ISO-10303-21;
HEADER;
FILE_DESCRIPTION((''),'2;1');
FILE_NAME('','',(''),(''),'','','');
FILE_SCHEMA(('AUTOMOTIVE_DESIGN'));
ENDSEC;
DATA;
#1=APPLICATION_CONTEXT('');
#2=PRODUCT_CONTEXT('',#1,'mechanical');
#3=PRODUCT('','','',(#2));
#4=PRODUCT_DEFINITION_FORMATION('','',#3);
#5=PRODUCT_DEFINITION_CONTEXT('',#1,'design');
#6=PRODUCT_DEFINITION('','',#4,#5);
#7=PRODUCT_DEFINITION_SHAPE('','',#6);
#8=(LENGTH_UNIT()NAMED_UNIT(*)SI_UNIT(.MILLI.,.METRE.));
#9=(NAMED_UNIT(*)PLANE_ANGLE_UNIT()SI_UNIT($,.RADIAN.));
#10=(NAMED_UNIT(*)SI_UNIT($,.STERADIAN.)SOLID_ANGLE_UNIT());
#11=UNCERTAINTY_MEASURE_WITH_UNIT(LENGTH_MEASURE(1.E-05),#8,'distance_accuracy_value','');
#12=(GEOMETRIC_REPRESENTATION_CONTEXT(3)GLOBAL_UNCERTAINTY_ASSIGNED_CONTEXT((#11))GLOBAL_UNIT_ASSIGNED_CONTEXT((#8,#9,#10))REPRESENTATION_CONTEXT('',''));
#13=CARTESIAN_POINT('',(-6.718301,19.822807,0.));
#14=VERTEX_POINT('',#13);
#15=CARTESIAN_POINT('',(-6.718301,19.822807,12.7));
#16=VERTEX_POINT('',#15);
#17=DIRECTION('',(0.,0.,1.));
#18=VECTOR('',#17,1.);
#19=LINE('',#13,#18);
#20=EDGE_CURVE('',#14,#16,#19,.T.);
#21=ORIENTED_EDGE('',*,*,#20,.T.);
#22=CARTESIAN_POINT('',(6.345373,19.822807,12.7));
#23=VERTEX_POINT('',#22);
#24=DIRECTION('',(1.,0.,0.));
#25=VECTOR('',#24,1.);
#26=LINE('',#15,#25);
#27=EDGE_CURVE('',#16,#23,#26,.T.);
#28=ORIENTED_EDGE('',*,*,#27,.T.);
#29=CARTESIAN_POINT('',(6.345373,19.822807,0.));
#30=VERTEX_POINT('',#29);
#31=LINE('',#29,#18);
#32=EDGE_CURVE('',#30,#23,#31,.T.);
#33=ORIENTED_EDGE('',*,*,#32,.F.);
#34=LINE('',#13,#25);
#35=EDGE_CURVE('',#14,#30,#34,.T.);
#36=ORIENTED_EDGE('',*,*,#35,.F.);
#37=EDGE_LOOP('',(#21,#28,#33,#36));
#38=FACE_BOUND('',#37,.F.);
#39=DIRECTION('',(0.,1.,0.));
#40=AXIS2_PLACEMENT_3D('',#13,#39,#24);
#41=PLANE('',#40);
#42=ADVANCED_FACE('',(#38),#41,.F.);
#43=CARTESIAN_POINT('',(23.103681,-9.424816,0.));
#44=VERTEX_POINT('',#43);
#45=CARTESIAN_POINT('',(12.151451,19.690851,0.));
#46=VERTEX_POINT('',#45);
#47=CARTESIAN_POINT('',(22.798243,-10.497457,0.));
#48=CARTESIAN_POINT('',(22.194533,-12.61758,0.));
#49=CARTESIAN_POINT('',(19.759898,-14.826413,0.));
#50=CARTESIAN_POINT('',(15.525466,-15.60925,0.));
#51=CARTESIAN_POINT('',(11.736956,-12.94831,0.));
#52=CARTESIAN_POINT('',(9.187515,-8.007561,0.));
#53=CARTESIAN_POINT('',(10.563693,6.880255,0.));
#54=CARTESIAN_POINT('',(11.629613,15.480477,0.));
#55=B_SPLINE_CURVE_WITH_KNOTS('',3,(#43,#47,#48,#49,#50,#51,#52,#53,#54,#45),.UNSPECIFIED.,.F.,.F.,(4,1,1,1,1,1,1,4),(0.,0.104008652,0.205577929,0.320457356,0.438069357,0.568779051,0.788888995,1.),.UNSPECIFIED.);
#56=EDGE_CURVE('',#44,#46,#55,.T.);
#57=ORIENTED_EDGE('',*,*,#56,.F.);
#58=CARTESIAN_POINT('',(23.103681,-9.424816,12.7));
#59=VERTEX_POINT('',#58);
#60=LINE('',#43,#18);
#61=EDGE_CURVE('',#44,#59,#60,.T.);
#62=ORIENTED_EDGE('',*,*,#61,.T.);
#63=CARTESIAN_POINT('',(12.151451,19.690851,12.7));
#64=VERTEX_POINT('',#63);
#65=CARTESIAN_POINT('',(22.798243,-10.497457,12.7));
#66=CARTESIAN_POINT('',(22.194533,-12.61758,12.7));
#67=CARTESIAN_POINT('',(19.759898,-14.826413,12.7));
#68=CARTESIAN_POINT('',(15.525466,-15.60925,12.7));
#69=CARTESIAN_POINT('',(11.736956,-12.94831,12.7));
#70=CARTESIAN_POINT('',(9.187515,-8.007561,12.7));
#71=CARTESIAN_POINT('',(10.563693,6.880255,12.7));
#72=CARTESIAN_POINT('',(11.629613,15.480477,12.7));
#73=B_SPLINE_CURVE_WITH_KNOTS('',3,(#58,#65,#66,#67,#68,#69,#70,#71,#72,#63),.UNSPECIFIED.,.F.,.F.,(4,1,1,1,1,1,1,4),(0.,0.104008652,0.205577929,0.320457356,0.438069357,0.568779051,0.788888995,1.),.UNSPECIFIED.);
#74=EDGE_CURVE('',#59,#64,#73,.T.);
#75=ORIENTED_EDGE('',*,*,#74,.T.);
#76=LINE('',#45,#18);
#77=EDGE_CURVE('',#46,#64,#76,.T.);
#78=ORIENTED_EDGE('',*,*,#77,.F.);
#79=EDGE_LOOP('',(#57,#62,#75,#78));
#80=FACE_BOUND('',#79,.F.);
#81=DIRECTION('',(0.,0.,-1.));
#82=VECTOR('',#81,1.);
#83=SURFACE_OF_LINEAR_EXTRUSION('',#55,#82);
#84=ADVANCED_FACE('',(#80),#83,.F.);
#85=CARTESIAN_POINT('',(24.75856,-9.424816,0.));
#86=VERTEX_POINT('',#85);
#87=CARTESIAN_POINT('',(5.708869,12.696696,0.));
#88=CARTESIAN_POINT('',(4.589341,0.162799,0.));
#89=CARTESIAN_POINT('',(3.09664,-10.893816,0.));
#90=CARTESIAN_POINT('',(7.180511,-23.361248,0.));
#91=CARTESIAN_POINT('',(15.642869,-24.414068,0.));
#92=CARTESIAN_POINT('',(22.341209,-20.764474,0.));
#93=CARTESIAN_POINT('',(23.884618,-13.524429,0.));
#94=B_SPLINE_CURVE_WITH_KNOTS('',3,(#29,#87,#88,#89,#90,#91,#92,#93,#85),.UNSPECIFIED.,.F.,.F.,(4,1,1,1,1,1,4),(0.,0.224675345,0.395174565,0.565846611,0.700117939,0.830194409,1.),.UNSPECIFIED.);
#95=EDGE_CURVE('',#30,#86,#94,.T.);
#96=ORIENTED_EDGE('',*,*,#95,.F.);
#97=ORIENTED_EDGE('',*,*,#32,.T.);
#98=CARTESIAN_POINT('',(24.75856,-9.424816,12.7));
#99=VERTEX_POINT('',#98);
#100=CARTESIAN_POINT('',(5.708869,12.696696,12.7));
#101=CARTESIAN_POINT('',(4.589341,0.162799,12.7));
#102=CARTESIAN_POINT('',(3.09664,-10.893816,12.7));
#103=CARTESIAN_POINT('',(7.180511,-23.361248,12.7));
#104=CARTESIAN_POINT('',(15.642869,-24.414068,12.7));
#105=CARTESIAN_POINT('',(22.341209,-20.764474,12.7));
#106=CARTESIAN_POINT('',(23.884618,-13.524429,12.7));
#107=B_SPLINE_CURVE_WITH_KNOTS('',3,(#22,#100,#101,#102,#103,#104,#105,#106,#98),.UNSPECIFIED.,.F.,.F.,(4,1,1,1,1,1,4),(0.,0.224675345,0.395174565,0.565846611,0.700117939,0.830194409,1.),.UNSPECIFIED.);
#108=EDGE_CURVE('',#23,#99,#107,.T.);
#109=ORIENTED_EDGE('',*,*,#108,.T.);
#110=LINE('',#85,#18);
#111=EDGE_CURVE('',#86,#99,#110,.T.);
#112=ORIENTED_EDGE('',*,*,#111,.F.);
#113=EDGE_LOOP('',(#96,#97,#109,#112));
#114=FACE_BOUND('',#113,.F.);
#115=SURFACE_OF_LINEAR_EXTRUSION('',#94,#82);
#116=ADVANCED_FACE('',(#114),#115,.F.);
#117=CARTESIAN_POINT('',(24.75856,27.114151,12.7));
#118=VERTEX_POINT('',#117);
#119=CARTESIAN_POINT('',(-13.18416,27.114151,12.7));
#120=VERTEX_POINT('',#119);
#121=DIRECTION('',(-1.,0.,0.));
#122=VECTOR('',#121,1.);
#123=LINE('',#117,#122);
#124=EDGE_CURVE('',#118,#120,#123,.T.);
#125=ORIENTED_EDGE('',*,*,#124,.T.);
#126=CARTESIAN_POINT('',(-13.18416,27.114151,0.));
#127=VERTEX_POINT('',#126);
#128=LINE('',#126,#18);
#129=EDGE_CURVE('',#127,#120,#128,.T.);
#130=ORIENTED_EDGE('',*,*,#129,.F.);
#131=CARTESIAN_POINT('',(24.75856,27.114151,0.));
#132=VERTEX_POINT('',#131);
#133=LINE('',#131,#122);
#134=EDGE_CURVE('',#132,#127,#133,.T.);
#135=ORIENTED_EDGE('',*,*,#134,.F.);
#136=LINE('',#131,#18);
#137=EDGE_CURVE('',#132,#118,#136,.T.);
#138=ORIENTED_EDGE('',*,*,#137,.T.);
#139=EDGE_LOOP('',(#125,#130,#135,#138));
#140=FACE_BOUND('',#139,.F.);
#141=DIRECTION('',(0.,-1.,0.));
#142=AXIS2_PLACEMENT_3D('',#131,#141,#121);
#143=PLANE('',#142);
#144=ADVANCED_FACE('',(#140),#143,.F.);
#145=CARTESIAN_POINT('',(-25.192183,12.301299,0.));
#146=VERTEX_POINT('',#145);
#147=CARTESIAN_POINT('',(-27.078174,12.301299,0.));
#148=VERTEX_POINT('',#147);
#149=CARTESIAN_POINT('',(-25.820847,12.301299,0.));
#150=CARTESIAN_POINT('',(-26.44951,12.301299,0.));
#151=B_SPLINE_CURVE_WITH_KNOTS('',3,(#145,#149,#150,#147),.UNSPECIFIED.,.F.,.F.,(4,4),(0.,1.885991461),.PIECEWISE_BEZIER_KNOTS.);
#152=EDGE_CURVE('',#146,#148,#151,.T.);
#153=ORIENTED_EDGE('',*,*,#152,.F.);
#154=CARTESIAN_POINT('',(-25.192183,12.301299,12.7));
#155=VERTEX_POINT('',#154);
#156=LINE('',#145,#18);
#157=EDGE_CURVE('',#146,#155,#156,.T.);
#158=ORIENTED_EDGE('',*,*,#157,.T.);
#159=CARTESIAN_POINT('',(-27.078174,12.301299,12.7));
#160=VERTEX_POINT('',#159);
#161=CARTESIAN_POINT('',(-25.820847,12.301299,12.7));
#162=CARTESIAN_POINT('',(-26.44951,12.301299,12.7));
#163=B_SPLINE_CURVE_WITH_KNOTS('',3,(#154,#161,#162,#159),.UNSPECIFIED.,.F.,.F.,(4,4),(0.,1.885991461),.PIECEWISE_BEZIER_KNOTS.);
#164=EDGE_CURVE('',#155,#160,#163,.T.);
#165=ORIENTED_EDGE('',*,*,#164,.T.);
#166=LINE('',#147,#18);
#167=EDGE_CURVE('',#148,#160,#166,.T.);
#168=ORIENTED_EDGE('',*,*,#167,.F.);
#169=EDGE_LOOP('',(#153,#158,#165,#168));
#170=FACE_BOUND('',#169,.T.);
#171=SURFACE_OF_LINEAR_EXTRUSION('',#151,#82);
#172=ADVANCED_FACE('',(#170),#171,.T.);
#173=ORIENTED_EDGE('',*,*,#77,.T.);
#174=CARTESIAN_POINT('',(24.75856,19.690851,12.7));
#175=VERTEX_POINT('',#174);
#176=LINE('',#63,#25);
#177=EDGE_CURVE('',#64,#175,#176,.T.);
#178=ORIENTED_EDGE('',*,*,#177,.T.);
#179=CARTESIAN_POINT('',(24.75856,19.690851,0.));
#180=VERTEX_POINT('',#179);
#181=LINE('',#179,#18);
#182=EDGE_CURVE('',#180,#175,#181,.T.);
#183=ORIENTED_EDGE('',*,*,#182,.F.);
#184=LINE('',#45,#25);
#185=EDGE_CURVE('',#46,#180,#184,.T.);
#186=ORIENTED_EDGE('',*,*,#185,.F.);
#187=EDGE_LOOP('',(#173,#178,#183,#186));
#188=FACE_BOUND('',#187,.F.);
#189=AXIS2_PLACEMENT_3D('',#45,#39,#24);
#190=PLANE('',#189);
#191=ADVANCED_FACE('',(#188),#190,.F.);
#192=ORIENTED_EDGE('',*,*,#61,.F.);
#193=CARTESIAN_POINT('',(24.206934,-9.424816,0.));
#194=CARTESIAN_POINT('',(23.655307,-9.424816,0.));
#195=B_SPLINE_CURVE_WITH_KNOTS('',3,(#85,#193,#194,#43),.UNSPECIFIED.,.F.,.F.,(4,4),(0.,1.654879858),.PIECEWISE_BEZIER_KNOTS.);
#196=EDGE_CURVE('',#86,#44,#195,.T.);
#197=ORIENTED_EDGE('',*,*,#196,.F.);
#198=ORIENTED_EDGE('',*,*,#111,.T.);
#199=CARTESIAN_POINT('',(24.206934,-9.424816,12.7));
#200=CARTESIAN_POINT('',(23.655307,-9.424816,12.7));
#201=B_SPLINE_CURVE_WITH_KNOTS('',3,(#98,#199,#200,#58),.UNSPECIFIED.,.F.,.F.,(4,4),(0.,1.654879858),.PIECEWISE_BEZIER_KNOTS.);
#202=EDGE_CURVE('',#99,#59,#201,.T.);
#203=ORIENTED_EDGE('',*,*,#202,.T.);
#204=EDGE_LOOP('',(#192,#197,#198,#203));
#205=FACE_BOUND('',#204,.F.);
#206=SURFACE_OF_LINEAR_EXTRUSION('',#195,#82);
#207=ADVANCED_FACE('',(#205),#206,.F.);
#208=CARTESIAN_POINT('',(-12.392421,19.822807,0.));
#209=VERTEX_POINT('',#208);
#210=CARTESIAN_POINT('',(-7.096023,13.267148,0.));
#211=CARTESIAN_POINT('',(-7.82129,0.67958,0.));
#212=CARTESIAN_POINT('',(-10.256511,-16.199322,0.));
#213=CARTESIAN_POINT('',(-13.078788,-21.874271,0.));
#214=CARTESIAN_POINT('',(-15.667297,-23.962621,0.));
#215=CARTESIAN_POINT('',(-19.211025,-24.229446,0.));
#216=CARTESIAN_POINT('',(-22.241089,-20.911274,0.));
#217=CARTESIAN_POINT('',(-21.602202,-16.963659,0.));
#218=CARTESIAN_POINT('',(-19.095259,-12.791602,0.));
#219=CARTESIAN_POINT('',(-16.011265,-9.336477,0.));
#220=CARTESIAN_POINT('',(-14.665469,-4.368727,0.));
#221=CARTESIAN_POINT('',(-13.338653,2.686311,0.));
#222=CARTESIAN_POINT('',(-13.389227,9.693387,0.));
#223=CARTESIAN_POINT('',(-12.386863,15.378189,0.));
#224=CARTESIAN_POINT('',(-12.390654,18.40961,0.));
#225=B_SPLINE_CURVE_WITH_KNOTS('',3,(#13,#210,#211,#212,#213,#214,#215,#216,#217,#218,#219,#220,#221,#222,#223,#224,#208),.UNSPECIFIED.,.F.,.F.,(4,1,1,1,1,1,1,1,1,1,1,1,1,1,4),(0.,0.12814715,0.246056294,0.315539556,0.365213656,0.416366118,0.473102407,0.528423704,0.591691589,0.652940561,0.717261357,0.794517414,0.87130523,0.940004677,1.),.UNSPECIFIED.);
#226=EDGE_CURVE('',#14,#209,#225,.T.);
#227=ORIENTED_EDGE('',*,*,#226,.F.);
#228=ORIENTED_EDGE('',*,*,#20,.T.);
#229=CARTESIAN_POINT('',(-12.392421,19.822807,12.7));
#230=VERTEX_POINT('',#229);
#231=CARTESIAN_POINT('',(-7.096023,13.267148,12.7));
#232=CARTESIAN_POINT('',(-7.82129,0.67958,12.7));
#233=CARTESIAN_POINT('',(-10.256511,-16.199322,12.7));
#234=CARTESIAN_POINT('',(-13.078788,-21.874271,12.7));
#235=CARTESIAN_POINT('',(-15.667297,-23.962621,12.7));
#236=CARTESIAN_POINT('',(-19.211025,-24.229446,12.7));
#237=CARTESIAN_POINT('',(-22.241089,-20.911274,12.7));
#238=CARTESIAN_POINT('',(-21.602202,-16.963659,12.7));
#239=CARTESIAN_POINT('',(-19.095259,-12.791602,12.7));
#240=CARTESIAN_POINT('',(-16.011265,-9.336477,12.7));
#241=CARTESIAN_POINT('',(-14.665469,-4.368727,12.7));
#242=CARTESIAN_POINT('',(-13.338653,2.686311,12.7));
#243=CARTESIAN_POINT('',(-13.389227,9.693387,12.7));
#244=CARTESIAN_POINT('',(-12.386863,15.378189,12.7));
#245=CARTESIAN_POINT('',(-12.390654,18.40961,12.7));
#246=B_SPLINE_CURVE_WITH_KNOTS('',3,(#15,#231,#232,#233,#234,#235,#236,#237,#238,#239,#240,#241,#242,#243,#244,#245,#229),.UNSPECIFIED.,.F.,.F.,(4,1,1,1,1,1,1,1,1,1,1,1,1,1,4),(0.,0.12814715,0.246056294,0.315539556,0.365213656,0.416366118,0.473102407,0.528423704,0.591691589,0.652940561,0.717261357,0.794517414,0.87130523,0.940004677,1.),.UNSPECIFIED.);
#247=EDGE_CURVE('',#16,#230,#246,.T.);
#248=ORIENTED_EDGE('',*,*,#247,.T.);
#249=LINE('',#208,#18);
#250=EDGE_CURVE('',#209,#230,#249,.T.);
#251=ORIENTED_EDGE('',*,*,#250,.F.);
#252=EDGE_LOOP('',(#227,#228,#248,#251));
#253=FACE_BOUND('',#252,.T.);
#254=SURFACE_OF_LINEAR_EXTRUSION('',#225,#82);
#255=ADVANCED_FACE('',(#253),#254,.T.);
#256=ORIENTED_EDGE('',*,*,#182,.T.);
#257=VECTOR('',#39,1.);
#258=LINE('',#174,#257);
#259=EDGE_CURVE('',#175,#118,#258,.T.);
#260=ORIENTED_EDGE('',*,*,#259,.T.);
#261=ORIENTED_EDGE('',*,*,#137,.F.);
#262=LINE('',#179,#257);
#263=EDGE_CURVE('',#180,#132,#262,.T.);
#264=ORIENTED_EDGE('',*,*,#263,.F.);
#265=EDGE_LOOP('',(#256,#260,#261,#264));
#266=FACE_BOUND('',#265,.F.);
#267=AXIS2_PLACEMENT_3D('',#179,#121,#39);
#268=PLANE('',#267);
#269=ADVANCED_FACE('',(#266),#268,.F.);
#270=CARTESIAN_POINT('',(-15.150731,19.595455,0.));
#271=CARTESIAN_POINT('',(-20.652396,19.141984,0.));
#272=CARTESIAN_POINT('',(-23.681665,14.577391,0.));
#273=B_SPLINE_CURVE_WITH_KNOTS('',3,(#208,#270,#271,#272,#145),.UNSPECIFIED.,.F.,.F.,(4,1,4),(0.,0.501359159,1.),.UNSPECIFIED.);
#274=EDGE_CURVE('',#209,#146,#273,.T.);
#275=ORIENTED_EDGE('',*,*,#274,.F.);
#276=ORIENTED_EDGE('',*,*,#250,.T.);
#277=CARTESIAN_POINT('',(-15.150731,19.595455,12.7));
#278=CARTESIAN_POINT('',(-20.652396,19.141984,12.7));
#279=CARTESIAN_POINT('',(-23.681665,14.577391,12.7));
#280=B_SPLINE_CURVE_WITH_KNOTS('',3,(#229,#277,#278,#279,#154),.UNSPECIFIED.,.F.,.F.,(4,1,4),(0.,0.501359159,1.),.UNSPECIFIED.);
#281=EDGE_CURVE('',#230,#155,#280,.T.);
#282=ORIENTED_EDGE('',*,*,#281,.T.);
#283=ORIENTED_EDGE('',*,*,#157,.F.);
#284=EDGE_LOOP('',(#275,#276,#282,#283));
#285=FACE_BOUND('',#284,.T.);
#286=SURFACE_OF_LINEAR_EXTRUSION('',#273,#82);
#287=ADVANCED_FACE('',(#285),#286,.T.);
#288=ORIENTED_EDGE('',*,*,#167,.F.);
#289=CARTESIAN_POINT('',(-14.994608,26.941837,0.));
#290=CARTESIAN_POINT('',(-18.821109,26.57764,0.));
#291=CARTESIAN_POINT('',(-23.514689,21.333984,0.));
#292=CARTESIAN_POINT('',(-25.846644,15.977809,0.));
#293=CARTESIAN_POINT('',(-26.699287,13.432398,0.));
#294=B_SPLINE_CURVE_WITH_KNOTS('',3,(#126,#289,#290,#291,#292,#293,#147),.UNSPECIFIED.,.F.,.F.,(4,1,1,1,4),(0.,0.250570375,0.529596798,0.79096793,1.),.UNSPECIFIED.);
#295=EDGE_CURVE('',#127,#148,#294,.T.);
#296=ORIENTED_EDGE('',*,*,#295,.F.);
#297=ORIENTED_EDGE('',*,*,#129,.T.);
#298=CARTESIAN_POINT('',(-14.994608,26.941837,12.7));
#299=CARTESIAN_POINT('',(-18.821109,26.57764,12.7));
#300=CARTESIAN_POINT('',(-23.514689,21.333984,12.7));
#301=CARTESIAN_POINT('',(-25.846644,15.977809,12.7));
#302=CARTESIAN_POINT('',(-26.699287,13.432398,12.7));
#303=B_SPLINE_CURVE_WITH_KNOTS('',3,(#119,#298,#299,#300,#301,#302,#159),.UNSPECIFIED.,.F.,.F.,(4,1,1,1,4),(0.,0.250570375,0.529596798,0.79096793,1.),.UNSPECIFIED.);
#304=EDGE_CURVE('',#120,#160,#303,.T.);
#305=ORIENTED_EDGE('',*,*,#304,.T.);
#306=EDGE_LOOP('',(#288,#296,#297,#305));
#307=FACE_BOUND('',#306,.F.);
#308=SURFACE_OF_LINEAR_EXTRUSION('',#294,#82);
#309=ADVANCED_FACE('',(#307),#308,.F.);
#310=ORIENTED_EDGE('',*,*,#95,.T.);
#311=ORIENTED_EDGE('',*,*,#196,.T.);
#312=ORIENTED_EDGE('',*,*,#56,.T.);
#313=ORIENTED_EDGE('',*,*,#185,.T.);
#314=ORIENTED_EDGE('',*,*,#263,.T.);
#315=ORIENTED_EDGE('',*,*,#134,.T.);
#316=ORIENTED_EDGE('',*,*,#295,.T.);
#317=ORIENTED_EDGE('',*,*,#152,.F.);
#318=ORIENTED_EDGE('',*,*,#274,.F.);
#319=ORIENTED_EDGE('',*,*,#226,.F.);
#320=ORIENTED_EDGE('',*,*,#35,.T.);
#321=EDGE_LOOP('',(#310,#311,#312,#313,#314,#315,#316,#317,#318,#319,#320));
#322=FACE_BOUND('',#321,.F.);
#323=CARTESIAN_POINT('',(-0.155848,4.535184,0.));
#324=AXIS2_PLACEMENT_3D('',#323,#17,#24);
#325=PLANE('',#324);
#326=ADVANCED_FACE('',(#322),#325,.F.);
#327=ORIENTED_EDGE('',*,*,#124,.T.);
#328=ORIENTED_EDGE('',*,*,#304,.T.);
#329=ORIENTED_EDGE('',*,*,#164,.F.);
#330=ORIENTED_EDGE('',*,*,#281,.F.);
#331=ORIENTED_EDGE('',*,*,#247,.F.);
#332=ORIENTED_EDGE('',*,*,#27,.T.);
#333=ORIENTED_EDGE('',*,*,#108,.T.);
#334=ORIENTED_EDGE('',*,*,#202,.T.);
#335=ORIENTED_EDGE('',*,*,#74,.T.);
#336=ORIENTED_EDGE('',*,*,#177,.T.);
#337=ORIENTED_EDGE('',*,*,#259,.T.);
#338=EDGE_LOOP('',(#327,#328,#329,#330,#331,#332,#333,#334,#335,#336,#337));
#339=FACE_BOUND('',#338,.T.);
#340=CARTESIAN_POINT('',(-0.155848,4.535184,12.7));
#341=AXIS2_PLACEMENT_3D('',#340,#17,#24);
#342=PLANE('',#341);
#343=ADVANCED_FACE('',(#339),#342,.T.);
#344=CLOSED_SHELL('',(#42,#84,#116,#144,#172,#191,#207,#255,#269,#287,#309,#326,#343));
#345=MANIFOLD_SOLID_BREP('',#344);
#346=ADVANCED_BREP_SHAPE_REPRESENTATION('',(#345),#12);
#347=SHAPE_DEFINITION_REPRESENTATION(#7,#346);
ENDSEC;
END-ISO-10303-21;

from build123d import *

# Parameters (mm, degrees)
F1_DEPTH = 12.7


with BuildPart() as f1:
    # F0 (on Top) → F1 (new body)
    with BuildSketch(Plane.XY):
        with BuildLine():
            Line((24.7585604258, 19.6908511134), (24.7585604258, 27.1141509143))
            Line((24.7585604258, 27.1141509143), (-13.1841597861, 27.1141509143))
            add(Edge.make_bspline(
                [(-13.1841597861, 27.1141509143), (-14.9946082371, 26.9418368364), (-18.8211088845, 26.5776398165), (-23.514688939, 21.3339840487), (-25.8466439217, 15.9778089298), (-26.6992870535, 13.4323978637), (-27.0781742681, 12.3012989632)],
                knots=[0, 0, 0, 0, 0.2505703752, 0.5295967982, 0.7909679299, 1, 1, 1, 1], degree=3))
            add(Edge.make_bspline(
                [(-25.1921828075, 12.3012989632), (-25.8208466277, 12.3012989632), (-26.4495104479, 12.3012989632), (-27.0781742681, 12.3012989632)],
                knots=[0, 0, 0, 0, 1.8859914605, 1.8859914605, 1.8859914605, 1.8859914605], degree=3))
            add(Edge.make_bspline(
                [(-12.3924212625, 19.8228069418), (-15.1507313891, 19.5954551642), (-20.6523963666, 19.141984287), (-23.6816654996, 14.5773913993), (-25.1921828075, 12.3012989632)],
                knots=[0, 0, 0, 0, 0.5013591591, 1, 1, 1, 1], degree=3))
            add(Edge.make_bspline(
                [(-6.7183006552, 19.8228069418), (-7.0960227248, 13.2671484807), (-7.8212896776, 0.6795799543), (-10.2565105207, -16.1993222365), (-13.0787877173, -21.8742713546), (-15.6672968331, -23.9626213225), (-19.2110251062, -24.2294457284), (-22.2410892526, -20.9112739142), (-21.6022019542, -16.963658645), (-19.095259242, -12.7916018447), (-16.0112650638, -9.3364771527), (-14.6654691279, -4.3687265936), (-13.3386531041, 2.6863113723), (-13.3892266986, 9.6933871915), (-12.3868633017, 15.3781893924), (-12.3906540703, 18.4096099841), (-12.3924212625, 19.8228069418)],
                knots=[0, 0, 0, 0, 0.1281471497, 0.2460562944, 0.3155395565, 0.3652136563, 0.4163661178, 0.4731024067, 0.5284237035, 0.5916915886, 0.6529405605, 0.7172613575, 0.7945174137, 0.8713052296, 0.9400046768, 1, 1, 1, 1], degree=3))
            Line((-6.7183006552, 19.8228069418), (6.3453734349, 19.8228069418))
            add(Edge.make_bspline(
                [(6.3453734349, 19.8228069418), (5.7088691931, 12.6966961866), (4.5893414281, 0.1627988107), (3.0966403319, -10.8938157233), (7.1805110859, -23.3612479492), (15.6428693687, -24.4140681653), (22.3412091911, -20.7644743831), (23.88461845, -13.5244286313), (24.7585604258, -9.4248161318)],
                knots=[0, 0, 0, 0, 0.2246753452, 0.3951745653, 0.5658466109, 0.7001179386, 0.830194409, 1, 1, 1, 1], degree=3))
            add(Edge.make_bspline(
                [(24.7585604258, -9.4248161318), (24.2069338065, -9.4248161318), (23.6553071871, -9.4248161318), (23.1036805677, -9.4248161318)],
                knots=[0, 0, 0, 0, 1.6548798581, 1.6548798581, 1.6548798581, 1.6548798581], degree=3))
            add(Edge.make_bspline(
                [(23.1036805677, -9.4248161318), (22.7982434721, -10.4974565471), (22.194532875, -12.6175801171), (19.7598976819, -14.8264126686), (15.5254659468, -15.6092500408), (11.7369558623, -12.9483095806), (9.1875146368, -8.0075607566), (10.5636931613, 6.8802545822), (11.6296129462, 15.4804768826), (12.1514507589, 19.6908511134)],
                knots=[0, 0, 0, 0, 0.1040086523, 0.2055779291, 0.3204573557, 0.4380693567, 0.5687790509, 0.7888889951, 1, 1, 1, 1], degree=3))
            Line((12.1514507589, 19.6908511134), (24.7585604258, 19.6908511134))
        make_face()
    extrude(amount=F1_DEPTH)


solid = f1.part
